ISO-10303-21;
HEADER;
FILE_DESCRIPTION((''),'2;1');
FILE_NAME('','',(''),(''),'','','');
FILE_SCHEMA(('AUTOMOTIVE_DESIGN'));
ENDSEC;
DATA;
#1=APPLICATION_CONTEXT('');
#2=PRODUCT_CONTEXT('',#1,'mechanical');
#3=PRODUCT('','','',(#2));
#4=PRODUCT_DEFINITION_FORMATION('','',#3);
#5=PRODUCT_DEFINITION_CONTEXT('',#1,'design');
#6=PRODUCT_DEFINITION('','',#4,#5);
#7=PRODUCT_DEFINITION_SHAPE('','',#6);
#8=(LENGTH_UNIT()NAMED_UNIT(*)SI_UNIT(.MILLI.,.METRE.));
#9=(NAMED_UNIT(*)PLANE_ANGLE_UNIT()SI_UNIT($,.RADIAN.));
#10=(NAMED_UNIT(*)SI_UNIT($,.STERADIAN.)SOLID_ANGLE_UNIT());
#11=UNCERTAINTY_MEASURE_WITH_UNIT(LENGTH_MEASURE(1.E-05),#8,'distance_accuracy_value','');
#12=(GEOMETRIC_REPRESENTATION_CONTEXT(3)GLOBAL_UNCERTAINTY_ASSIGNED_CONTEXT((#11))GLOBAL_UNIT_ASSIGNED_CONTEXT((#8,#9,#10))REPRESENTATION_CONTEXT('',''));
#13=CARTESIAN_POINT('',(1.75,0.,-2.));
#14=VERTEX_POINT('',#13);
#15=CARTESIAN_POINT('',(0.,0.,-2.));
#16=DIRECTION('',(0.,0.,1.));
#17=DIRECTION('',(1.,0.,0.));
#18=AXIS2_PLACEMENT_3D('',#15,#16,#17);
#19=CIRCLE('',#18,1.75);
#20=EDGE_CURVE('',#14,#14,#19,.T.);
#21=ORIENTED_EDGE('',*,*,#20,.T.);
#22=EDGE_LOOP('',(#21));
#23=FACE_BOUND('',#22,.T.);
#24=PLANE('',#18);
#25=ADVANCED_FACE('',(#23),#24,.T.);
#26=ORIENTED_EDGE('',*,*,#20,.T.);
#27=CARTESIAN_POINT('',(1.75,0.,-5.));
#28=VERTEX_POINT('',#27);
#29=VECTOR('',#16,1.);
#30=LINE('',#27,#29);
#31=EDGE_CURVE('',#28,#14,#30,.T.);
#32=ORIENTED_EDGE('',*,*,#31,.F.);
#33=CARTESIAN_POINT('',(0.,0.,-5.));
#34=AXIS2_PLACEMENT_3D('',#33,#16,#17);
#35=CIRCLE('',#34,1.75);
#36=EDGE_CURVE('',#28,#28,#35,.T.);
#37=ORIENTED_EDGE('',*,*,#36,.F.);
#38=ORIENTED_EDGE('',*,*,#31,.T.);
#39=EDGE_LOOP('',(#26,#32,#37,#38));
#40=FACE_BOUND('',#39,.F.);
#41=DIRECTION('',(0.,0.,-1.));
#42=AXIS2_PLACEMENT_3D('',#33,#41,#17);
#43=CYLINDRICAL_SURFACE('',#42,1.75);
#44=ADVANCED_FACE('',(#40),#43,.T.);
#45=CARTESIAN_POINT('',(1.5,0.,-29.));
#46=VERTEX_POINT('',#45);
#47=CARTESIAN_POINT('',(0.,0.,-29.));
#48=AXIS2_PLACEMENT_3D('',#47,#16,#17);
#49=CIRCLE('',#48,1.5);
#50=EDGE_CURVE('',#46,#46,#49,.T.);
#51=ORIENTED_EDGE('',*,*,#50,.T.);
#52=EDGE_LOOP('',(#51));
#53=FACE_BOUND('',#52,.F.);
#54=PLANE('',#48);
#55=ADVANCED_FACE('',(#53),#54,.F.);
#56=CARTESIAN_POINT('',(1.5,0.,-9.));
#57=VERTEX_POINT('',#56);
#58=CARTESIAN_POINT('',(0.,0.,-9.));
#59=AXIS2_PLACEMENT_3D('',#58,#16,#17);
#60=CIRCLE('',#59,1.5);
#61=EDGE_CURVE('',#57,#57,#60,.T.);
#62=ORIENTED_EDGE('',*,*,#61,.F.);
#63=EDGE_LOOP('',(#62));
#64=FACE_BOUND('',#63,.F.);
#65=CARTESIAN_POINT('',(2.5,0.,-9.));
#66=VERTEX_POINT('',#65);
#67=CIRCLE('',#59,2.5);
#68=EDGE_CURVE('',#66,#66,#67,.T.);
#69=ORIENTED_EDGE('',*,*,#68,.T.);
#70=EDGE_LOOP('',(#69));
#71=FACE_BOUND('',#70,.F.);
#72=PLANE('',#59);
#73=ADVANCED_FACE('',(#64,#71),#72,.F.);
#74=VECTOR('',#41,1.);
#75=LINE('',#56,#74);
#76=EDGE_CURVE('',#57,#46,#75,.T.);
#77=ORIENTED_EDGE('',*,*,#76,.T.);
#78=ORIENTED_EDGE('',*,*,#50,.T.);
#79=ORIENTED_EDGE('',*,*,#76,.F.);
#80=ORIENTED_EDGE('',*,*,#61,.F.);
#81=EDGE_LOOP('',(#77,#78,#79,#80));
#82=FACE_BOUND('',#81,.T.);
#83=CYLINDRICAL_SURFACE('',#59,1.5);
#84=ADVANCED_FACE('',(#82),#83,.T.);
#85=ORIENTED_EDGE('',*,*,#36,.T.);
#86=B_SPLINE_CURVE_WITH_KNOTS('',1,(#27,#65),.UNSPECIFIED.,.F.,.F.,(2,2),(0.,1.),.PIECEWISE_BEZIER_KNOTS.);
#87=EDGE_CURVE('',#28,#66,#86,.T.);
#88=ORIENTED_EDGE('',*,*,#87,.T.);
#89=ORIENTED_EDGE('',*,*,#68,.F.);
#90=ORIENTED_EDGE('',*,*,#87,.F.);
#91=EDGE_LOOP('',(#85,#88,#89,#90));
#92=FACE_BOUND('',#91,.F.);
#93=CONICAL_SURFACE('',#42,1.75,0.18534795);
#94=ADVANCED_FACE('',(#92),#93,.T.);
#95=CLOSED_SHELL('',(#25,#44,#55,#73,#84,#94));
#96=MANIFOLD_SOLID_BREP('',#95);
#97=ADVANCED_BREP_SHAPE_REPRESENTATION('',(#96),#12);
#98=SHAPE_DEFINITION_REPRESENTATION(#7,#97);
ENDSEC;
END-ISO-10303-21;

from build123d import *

# Parameters (mm, degrees)
SKETCH015_R  = 1.75
SKETCH016_R  = 2.5
SKETCH017_R  = 1.5
PAD007_DEPTH = 20
SKETCH014_R  = 1.75
PAD008_DEPTH = 3


with BuildPart() as part:
    # Sketch015 → AdditiveLoft001 section 0
    with BuildSketch(Plane.XY.offset(-5)):
        Circle(SKETCH015_R)
    # Sketch016 → AdditiveLoft001 section 1
    with BuildSketch(Plane.XY.offset(-9)):
        Circle(SKETCH016_R)
    loft()

    # Sketch017 → Pad007 (new body)
    with BuildSketch(Plane.XY.offset(-9)):
        Circle(SKETCH017_R)
    extrude(amount=-PAD007_DEPTH)

    # Sketch014 → Pad008 (join)
    with BuildSketch(Plane.XY.offset(-5)):
        Circle(SKETCH014_R)
    extrude(amount=PAD008_DEPTH)


solid = part.part
